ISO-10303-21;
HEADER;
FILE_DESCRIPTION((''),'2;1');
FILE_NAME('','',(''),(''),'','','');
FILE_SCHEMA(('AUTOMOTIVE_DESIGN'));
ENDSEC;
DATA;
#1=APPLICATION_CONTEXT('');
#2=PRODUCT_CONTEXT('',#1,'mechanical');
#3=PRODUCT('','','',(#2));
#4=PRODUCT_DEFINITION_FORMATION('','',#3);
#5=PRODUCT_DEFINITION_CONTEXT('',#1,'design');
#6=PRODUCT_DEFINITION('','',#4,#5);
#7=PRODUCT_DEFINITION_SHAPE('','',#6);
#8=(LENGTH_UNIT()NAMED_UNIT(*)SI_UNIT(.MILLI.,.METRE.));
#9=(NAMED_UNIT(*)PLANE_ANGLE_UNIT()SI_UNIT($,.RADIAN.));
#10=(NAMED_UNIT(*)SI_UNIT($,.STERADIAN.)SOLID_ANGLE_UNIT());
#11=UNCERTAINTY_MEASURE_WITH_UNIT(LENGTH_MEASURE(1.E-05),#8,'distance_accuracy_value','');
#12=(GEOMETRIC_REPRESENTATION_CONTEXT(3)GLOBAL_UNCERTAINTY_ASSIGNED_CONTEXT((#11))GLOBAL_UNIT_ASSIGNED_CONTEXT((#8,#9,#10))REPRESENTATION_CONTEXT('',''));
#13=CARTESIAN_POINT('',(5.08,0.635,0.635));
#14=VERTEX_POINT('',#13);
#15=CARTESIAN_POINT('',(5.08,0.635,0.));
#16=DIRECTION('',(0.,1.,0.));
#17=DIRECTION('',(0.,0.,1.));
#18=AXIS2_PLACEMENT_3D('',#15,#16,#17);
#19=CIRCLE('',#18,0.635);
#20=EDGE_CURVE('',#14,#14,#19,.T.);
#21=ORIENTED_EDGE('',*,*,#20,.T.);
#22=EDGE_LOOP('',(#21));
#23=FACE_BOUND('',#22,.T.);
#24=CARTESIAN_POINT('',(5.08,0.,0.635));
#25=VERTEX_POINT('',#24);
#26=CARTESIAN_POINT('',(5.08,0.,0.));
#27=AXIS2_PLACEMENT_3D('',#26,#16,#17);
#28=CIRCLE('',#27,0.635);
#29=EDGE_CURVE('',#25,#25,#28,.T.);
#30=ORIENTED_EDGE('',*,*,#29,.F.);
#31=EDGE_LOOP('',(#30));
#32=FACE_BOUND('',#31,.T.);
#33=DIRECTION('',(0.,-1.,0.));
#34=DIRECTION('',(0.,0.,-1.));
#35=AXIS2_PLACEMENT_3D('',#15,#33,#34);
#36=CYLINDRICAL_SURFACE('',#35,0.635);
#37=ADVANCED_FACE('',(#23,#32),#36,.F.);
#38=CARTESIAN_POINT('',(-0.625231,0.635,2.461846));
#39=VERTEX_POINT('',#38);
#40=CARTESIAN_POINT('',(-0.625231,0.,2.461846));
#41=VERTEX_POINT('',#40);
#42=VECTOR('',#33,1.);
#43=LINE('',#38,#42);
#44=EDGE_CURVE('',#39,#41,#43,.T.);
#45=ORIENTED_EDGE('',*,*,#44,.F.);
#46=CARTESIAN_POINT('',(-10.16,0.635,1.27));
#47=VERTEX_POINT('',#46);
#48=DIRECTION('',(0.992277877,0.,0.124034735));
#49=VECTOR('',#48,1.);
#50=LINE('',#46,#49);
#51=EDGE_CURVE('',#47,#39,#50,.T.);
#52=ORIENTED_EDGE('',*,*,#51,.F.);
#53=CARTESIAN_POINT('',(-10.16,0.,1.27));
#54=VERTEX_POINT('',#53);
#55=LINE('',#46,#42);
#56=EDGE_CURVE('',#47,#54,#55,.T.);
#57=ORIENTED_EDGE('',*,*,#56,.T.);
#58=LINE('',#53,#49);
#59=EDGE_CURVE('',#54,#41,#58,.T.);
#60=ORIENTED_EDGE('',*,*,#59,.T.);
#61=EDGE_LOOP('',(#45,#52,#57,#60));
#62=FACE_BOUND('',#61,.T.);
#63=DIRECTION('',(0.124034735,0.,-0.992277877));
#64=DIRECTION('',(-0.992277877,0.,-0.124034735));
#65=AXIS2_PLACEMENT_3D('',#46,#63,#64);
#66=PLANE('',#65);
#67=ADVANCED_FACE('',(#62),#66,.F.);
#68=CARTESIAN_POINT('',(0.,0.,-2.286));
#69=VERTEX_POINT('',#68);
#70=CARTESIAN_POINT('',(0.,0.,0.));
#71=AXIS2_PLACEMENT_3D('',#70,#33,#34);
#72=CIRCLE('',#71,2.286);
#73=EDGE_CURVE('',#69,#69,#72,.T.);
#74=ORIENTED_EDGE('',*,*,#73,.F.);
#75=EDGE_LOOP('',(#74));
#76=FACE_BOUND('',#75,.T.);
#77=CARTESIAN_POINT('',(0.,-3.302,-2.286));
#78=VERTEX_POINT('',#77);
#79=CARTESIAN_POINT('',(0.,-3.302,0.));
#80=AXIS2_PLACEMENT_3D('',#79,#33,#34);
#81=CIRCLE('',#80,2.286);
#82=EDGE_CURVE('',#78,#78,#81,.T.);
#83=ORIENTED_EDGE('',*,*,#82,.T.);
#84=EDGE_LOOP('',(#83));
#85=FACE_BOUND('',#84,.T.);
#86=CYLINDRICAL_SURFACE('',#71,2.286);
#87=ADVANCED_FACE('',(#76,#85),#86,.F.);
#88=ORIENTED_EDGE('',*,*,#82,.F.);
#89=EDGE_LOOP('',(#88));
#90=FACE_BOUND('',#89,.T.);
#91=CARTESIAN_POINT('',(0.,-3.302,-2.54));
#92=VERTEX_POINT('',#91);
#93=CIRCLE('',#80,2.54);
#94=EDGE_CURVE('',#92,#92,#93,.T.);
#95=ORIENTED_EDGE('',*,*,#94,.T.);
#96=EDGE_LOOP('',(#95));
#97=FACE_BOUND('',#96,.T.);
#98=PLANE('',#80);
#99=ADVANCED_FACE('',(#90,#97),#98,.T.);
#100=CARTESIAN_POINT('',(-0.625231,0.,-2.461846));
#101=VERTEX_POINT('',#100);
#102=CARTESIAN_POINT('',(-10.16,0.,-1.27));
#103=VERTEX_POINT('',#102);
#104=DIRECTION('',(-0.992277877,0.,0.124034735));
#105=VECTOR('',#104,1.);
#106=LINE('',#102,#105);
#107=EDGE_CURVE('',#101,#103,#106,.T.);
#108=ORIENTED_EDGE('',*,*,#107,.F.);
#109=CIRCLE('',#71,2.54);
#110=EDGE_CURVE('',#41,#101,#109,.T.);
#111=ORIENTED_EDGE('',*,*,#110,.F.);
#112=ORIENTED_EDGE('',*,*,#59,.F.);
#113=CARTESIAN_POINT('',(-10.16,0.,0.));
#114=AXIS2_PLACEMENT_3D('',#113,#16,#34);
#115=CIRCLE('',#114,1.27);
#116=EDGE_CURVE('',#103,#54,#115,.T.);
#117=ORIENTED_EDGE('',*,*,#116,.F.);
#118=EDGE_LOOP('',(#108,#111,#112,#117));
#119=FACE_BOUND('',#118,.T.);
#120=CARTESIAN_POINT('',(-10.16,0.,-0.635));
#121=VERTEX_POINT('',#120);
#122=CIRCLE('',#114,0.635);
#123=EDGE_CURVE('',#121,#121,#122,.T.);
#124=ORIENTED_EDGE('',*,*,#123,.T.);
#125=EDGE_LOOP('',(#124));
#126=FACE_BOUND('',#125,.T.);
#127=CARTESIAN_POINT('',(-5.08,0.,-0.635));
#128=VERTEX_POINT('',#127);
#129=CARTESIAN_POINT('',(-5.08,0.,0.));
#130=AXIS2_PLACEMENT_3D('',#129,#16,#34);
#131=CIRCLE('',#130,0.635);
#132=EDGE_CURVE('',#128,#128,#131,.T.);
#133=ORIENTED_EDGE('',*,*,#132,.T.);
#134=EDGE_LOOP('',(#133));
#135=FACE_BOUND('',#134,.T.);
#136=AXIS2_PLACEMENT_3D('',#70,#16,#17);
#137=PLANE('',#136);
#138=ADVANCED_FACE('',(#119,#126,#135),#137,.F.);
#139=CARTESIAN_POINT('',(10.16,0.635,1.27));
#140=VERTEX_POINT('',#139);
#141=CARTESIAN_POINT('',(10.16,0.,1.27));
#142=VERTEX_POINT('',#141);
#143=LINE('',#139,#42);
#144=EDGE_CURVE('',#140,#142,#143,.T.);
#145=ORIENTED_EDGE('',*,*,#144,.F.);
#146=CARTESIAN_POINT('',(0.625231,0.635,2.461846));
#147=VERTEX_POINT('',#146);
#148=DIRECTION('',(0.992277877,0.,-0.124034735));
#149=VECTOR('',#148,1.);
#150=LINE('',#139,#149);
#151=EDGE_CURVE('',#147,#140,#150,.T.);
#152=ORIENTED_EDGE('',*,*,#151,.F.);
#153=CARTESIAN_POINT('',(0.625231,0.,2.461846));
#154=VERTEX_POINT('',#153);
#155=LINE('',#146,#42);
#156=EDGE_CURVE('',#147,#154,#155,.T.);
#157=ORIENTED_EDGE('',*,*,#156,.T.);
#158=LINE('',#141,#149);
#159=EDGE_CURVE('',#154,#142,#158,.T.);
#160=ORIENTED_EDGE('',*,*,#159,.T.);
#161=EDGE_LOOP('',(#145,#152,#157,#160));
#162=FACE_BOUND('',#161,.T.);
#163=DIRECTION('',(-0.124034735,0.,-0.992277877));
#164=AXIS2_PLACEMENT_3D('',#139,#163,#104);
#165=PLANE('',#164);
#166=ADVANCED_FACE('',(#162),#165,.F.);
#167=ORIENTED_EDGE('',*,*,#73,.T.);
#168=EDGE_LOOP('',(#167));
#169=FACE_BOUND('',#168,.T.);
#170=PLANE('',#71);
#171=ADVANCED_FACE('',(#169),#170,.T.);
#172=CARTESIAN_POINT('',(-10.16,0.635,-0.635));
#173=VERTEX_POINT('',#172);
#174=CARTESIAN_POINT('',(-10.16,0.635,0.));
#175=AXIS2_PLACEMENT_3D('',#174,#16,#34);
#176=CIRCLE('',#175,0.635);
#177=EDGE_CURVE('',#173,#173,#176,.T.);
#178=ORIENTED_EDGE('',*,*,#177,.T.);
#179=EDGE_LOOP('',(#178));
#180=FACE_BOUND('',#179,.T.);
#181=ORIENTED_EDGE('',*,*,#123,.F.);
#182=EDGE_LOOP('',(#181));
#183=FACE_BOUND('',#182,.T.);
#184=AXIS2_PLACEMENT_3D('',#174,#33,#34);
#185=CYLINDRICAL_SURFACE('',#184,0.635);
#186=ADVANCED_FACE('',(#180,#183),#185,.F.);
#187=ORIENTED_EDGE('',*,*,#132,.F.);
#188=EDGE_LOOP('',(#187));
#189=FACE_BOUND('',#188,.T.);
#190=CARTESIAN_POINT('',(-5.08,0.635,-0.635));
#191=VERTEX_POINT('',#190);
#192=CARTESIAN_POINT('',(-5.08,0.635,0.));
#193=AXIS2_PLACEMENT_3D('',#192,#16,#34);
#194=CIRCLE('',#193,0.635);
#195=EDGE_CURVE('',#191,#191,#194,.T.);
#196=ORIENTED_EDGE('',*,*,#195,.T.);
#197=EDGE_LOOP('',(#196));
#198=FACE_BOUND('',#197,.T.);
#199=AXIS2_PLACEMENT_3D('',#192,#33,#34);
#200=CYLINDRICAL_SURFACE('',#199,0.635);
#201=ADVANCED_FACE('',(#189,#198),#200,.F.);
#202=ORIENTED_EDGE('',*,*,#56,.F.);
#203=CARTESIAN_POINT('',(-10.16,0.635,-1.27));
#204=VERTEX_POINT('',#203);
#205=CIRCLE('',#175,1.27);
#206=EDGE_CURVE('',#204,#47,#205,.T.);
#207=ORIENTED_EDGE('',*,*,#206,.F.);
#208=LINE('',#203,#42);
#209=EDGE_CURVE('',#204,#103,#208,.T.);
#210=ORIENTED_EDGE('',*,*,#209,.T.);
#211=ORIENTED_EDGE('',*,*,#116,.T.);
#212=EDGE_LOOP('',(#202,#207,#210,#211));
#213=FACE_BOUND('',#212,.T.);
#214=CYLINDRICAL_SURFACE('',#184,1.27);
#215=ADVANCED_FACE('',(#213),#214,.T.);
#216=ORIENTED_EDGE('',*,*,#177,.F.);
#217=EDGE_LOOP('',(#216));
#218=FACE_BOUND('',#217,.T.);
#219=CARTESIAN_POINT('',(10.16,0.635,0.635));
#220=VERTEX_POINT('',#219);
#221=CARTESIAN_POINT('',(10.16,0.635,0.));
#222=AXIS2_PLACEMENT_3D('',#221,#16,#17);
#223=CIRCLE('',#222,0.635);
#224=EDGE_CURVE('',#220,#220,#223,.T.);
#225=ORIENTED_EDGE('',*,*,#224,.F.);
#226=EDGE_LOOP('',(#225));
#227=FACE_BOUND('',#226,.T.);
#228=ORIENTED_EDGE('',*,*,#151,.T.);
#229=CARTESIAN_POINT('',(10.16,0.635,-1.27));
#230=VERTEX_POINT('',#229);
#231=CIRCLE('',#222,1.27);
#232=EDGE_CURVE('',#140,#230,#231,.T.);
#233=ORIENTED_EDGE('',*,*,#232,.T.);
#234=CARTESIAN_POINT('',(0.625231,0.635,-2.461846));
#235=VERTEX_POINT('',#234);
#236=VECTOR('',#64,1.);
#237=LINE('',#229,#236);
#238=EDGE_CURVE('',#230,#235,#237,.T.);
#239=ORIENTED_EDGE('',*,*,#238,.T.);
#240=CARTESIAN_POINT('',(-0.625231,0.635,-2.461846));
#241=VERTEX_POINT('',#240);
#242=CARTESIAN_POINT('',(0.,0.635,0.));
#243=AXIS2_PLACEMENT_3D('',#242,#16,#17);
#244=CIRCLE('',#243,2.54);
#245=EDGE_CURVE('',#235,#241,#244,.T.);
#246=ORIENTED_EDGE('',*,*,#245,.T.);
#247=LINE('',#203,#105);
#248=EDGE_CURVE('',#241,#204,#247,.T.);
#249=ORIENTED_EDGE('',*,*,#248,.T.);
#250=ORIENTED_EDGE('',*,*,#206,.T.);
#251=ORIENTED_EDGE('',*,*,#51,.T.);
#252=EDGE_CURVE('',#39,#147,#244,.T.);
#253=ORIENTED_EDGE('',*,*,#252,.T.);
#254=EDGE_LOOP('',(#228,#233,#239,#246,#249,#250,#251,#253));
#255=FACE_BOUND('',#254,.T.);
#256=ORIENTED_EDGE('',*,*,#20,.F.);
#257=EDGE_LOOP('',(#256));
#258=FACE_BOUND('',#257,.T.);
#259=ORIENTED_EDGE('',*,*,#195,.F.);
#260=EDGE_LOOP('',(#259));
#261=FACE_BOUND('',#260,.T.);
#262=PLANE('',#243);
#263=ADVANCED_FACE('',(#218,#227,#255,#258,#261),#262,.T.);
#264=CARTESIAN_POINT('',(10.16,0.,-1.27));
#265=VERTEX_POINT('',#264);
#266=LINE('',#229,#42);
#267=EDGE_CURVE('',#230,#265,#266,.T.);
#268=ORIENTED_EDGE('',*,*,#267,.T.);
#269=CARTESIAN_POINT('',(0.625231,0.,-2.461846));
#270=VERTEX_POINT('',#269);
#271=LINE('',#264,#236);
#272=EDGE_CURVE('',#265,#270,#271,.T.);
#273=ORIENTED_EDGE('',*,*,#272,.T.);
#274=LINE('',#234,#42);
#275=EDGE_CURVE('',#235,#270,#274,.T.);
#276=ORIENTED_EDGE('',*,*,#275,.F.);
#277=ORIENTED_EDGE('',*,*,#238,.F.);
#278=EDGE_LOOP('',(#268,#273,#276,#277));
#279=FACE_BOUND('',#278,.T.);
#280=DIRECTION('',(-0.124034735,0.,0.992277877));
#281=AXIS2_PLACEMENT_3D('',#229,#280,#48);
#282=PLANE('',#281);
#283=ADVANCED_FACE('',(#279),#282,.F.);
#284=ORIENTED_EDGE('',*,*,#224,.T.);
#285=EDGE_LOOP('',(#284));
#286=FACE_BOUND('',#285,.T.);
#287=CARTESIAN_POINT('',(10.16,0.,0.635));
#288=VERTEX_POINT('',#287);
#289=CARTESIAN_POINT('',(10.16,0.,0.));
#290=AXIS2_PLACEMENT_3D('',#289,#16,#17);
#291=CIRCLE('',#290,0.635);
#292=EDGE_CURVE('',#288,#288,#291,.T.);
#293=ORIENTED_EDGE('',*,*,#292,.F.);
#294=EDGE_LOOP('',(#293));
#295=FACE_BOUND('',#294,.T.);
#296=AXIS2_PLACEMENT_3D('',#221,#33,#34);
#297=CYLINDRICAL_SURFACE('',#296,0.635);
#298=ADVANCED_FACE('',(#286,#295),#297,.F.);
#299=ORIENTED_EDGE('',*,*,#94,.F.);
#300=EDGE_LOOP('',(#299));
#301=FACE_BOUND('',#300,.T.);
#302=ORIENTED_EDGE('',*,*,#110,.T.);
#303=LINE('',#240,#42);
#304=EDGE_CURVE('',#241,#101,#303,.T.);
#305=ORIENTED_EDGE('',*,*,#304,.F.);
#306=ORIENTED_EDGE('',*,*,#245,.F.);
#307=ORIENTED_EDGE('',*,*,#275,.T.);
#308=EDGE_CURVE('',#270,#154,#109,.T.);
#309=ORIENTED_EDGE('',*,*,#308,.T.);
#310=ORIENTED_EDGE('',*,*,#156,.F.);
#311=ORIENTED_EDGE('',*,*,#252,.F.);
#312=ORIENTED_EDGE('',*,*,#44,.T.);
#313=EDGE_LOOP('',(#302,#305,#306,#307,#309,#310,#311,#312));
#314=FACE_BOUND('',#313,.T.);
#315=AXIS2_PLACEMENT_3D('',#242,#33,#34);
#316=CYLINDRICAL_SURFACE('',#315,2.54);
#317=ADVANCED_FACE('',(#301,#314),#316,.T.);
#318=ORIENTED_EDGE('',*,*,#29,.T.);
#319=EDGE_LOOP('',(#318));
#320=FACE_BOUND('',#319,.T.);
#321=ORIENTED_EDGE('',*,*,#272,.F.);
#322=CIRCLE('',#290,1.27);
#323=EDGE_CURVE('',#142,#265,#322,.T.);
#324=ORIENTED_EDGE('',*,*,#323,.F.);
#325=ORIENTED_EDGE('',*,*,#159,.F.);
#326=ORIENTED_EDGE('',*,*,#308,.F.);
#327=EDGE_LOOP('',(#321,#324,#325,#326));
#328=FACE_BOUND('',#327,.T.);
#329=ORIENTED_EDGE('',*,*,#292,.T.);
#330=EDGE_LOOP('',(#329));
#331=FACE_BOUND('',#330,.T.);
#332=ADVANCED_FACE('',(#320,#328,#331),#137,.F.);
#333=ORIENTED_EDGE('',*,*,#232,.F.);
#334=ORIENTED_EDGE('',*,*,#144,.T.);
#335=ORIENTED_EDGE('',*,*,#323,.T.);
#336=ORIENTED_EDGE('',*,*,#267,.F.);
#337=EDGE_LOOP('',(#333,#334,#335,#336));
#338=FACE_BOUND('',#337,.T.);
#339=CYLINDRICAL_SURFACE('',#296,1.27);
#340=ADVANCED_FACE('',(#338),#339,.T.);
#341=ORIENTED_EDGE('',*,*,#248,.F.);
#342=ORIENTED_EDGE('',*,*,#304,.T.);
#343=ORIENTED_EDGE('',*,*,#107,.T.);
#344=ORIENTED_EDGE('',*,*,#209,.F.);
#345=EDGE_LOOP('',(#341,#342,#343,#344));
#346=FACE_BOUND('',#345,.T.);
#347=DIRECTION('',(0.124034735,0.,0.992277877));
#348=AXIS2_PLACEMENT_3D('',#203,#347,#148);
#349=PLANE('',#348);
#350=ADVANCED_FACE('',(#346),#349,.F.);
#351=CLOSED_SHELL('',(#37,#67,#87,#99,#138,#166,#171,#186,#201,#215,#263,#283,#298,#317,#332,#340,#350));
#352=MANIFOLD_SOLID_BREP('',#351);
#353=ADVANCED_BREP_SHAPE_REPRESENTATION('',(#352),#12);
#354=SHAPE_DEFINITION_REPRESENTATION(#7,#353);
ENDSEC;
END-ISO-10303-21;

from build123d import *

# Parameters (mm, degrees)
SKETCH2_R           = 0.635
BOSS_EXTRUDE2_DEPTH = 0.635
SKETCH3_R           = 2.54
BOSS_EXTRUDE3_DEPTH = 3.302
SKETCH4_R           = 2.286
CUT_EXTRUDE1_DEPTH  = 3.302


with BuildPart() as part:
    # Sketch2 → Boss-Extrude2 (new body)
    with BuildSketch(Plane(origin=(0, 0, 0), x_dir=(1, 0, 0), z_dir=(0, 1, 0))):
        with BuildLine():
            Line((-10.16, -1.27), (-0.625230769, -2.461846154))
            ThreePointArc((-0.625230769, -2.461846154), (0, -2.54), (0.625230769, -2.461846154))
            Line((0.625230769, -2.461846154), (10.16, -1.27))
            ThreePointArc((10.16, -1.27), (11.43, 0), (10.16, 1.27))
            Line((10.16, 1.27), (0.625230769, 2.461846154))
            ThreePointArc((0.625230769, 2.461846154), (0, 2.54), (-0.625230769, 2.461846154))
            Line((-0.625230769, 2.461846154), (-10.16, 1.27))
            ThreePointArc((-10.16, 1.27), (-11.43, 0), (-10.16, -1.27))
        make_face()
        with Locations((5.08, 0)):
            Circle(SKETCH2_R, mode=Mode.SUBTRACT)
        with Locations((10.16, 0)):
            Circle(SKETCH2_R, mode=Mode.SUBTRACT)
        with Locations((-10.16, 0)):
            Circle(SKETCH2_R, mode=Mode.SUBTRACT)
        with Locations((-5.08, 0)):
            Circle(SKETCH2_R, mode=Mode.SUBTRACT)
    extrude(amount=BOSS_EXTRUDE2_DEPTH)

    # Sketch3 → Boss-Extrude3 (add)
    with BuildSketch(Plane.XZ):
        Circle(SKETCH3_R)
    extrude(amount=BOSS_EXTRUDE3_DEPTH)

    # Sketch4 → Cut-Extrude1 (cut)
    with BuildSketch(Plane(origin=(0, -3.302, 0), x_dir=(-1, 0, 0), z_dir=(0, -1, 0))):
        Circle(SKETCH4_R)
    extrude(amount=-CUT_EXTRUDE1_DEPTH, mode=Mode.SUBTRACT)


solid = part.part
